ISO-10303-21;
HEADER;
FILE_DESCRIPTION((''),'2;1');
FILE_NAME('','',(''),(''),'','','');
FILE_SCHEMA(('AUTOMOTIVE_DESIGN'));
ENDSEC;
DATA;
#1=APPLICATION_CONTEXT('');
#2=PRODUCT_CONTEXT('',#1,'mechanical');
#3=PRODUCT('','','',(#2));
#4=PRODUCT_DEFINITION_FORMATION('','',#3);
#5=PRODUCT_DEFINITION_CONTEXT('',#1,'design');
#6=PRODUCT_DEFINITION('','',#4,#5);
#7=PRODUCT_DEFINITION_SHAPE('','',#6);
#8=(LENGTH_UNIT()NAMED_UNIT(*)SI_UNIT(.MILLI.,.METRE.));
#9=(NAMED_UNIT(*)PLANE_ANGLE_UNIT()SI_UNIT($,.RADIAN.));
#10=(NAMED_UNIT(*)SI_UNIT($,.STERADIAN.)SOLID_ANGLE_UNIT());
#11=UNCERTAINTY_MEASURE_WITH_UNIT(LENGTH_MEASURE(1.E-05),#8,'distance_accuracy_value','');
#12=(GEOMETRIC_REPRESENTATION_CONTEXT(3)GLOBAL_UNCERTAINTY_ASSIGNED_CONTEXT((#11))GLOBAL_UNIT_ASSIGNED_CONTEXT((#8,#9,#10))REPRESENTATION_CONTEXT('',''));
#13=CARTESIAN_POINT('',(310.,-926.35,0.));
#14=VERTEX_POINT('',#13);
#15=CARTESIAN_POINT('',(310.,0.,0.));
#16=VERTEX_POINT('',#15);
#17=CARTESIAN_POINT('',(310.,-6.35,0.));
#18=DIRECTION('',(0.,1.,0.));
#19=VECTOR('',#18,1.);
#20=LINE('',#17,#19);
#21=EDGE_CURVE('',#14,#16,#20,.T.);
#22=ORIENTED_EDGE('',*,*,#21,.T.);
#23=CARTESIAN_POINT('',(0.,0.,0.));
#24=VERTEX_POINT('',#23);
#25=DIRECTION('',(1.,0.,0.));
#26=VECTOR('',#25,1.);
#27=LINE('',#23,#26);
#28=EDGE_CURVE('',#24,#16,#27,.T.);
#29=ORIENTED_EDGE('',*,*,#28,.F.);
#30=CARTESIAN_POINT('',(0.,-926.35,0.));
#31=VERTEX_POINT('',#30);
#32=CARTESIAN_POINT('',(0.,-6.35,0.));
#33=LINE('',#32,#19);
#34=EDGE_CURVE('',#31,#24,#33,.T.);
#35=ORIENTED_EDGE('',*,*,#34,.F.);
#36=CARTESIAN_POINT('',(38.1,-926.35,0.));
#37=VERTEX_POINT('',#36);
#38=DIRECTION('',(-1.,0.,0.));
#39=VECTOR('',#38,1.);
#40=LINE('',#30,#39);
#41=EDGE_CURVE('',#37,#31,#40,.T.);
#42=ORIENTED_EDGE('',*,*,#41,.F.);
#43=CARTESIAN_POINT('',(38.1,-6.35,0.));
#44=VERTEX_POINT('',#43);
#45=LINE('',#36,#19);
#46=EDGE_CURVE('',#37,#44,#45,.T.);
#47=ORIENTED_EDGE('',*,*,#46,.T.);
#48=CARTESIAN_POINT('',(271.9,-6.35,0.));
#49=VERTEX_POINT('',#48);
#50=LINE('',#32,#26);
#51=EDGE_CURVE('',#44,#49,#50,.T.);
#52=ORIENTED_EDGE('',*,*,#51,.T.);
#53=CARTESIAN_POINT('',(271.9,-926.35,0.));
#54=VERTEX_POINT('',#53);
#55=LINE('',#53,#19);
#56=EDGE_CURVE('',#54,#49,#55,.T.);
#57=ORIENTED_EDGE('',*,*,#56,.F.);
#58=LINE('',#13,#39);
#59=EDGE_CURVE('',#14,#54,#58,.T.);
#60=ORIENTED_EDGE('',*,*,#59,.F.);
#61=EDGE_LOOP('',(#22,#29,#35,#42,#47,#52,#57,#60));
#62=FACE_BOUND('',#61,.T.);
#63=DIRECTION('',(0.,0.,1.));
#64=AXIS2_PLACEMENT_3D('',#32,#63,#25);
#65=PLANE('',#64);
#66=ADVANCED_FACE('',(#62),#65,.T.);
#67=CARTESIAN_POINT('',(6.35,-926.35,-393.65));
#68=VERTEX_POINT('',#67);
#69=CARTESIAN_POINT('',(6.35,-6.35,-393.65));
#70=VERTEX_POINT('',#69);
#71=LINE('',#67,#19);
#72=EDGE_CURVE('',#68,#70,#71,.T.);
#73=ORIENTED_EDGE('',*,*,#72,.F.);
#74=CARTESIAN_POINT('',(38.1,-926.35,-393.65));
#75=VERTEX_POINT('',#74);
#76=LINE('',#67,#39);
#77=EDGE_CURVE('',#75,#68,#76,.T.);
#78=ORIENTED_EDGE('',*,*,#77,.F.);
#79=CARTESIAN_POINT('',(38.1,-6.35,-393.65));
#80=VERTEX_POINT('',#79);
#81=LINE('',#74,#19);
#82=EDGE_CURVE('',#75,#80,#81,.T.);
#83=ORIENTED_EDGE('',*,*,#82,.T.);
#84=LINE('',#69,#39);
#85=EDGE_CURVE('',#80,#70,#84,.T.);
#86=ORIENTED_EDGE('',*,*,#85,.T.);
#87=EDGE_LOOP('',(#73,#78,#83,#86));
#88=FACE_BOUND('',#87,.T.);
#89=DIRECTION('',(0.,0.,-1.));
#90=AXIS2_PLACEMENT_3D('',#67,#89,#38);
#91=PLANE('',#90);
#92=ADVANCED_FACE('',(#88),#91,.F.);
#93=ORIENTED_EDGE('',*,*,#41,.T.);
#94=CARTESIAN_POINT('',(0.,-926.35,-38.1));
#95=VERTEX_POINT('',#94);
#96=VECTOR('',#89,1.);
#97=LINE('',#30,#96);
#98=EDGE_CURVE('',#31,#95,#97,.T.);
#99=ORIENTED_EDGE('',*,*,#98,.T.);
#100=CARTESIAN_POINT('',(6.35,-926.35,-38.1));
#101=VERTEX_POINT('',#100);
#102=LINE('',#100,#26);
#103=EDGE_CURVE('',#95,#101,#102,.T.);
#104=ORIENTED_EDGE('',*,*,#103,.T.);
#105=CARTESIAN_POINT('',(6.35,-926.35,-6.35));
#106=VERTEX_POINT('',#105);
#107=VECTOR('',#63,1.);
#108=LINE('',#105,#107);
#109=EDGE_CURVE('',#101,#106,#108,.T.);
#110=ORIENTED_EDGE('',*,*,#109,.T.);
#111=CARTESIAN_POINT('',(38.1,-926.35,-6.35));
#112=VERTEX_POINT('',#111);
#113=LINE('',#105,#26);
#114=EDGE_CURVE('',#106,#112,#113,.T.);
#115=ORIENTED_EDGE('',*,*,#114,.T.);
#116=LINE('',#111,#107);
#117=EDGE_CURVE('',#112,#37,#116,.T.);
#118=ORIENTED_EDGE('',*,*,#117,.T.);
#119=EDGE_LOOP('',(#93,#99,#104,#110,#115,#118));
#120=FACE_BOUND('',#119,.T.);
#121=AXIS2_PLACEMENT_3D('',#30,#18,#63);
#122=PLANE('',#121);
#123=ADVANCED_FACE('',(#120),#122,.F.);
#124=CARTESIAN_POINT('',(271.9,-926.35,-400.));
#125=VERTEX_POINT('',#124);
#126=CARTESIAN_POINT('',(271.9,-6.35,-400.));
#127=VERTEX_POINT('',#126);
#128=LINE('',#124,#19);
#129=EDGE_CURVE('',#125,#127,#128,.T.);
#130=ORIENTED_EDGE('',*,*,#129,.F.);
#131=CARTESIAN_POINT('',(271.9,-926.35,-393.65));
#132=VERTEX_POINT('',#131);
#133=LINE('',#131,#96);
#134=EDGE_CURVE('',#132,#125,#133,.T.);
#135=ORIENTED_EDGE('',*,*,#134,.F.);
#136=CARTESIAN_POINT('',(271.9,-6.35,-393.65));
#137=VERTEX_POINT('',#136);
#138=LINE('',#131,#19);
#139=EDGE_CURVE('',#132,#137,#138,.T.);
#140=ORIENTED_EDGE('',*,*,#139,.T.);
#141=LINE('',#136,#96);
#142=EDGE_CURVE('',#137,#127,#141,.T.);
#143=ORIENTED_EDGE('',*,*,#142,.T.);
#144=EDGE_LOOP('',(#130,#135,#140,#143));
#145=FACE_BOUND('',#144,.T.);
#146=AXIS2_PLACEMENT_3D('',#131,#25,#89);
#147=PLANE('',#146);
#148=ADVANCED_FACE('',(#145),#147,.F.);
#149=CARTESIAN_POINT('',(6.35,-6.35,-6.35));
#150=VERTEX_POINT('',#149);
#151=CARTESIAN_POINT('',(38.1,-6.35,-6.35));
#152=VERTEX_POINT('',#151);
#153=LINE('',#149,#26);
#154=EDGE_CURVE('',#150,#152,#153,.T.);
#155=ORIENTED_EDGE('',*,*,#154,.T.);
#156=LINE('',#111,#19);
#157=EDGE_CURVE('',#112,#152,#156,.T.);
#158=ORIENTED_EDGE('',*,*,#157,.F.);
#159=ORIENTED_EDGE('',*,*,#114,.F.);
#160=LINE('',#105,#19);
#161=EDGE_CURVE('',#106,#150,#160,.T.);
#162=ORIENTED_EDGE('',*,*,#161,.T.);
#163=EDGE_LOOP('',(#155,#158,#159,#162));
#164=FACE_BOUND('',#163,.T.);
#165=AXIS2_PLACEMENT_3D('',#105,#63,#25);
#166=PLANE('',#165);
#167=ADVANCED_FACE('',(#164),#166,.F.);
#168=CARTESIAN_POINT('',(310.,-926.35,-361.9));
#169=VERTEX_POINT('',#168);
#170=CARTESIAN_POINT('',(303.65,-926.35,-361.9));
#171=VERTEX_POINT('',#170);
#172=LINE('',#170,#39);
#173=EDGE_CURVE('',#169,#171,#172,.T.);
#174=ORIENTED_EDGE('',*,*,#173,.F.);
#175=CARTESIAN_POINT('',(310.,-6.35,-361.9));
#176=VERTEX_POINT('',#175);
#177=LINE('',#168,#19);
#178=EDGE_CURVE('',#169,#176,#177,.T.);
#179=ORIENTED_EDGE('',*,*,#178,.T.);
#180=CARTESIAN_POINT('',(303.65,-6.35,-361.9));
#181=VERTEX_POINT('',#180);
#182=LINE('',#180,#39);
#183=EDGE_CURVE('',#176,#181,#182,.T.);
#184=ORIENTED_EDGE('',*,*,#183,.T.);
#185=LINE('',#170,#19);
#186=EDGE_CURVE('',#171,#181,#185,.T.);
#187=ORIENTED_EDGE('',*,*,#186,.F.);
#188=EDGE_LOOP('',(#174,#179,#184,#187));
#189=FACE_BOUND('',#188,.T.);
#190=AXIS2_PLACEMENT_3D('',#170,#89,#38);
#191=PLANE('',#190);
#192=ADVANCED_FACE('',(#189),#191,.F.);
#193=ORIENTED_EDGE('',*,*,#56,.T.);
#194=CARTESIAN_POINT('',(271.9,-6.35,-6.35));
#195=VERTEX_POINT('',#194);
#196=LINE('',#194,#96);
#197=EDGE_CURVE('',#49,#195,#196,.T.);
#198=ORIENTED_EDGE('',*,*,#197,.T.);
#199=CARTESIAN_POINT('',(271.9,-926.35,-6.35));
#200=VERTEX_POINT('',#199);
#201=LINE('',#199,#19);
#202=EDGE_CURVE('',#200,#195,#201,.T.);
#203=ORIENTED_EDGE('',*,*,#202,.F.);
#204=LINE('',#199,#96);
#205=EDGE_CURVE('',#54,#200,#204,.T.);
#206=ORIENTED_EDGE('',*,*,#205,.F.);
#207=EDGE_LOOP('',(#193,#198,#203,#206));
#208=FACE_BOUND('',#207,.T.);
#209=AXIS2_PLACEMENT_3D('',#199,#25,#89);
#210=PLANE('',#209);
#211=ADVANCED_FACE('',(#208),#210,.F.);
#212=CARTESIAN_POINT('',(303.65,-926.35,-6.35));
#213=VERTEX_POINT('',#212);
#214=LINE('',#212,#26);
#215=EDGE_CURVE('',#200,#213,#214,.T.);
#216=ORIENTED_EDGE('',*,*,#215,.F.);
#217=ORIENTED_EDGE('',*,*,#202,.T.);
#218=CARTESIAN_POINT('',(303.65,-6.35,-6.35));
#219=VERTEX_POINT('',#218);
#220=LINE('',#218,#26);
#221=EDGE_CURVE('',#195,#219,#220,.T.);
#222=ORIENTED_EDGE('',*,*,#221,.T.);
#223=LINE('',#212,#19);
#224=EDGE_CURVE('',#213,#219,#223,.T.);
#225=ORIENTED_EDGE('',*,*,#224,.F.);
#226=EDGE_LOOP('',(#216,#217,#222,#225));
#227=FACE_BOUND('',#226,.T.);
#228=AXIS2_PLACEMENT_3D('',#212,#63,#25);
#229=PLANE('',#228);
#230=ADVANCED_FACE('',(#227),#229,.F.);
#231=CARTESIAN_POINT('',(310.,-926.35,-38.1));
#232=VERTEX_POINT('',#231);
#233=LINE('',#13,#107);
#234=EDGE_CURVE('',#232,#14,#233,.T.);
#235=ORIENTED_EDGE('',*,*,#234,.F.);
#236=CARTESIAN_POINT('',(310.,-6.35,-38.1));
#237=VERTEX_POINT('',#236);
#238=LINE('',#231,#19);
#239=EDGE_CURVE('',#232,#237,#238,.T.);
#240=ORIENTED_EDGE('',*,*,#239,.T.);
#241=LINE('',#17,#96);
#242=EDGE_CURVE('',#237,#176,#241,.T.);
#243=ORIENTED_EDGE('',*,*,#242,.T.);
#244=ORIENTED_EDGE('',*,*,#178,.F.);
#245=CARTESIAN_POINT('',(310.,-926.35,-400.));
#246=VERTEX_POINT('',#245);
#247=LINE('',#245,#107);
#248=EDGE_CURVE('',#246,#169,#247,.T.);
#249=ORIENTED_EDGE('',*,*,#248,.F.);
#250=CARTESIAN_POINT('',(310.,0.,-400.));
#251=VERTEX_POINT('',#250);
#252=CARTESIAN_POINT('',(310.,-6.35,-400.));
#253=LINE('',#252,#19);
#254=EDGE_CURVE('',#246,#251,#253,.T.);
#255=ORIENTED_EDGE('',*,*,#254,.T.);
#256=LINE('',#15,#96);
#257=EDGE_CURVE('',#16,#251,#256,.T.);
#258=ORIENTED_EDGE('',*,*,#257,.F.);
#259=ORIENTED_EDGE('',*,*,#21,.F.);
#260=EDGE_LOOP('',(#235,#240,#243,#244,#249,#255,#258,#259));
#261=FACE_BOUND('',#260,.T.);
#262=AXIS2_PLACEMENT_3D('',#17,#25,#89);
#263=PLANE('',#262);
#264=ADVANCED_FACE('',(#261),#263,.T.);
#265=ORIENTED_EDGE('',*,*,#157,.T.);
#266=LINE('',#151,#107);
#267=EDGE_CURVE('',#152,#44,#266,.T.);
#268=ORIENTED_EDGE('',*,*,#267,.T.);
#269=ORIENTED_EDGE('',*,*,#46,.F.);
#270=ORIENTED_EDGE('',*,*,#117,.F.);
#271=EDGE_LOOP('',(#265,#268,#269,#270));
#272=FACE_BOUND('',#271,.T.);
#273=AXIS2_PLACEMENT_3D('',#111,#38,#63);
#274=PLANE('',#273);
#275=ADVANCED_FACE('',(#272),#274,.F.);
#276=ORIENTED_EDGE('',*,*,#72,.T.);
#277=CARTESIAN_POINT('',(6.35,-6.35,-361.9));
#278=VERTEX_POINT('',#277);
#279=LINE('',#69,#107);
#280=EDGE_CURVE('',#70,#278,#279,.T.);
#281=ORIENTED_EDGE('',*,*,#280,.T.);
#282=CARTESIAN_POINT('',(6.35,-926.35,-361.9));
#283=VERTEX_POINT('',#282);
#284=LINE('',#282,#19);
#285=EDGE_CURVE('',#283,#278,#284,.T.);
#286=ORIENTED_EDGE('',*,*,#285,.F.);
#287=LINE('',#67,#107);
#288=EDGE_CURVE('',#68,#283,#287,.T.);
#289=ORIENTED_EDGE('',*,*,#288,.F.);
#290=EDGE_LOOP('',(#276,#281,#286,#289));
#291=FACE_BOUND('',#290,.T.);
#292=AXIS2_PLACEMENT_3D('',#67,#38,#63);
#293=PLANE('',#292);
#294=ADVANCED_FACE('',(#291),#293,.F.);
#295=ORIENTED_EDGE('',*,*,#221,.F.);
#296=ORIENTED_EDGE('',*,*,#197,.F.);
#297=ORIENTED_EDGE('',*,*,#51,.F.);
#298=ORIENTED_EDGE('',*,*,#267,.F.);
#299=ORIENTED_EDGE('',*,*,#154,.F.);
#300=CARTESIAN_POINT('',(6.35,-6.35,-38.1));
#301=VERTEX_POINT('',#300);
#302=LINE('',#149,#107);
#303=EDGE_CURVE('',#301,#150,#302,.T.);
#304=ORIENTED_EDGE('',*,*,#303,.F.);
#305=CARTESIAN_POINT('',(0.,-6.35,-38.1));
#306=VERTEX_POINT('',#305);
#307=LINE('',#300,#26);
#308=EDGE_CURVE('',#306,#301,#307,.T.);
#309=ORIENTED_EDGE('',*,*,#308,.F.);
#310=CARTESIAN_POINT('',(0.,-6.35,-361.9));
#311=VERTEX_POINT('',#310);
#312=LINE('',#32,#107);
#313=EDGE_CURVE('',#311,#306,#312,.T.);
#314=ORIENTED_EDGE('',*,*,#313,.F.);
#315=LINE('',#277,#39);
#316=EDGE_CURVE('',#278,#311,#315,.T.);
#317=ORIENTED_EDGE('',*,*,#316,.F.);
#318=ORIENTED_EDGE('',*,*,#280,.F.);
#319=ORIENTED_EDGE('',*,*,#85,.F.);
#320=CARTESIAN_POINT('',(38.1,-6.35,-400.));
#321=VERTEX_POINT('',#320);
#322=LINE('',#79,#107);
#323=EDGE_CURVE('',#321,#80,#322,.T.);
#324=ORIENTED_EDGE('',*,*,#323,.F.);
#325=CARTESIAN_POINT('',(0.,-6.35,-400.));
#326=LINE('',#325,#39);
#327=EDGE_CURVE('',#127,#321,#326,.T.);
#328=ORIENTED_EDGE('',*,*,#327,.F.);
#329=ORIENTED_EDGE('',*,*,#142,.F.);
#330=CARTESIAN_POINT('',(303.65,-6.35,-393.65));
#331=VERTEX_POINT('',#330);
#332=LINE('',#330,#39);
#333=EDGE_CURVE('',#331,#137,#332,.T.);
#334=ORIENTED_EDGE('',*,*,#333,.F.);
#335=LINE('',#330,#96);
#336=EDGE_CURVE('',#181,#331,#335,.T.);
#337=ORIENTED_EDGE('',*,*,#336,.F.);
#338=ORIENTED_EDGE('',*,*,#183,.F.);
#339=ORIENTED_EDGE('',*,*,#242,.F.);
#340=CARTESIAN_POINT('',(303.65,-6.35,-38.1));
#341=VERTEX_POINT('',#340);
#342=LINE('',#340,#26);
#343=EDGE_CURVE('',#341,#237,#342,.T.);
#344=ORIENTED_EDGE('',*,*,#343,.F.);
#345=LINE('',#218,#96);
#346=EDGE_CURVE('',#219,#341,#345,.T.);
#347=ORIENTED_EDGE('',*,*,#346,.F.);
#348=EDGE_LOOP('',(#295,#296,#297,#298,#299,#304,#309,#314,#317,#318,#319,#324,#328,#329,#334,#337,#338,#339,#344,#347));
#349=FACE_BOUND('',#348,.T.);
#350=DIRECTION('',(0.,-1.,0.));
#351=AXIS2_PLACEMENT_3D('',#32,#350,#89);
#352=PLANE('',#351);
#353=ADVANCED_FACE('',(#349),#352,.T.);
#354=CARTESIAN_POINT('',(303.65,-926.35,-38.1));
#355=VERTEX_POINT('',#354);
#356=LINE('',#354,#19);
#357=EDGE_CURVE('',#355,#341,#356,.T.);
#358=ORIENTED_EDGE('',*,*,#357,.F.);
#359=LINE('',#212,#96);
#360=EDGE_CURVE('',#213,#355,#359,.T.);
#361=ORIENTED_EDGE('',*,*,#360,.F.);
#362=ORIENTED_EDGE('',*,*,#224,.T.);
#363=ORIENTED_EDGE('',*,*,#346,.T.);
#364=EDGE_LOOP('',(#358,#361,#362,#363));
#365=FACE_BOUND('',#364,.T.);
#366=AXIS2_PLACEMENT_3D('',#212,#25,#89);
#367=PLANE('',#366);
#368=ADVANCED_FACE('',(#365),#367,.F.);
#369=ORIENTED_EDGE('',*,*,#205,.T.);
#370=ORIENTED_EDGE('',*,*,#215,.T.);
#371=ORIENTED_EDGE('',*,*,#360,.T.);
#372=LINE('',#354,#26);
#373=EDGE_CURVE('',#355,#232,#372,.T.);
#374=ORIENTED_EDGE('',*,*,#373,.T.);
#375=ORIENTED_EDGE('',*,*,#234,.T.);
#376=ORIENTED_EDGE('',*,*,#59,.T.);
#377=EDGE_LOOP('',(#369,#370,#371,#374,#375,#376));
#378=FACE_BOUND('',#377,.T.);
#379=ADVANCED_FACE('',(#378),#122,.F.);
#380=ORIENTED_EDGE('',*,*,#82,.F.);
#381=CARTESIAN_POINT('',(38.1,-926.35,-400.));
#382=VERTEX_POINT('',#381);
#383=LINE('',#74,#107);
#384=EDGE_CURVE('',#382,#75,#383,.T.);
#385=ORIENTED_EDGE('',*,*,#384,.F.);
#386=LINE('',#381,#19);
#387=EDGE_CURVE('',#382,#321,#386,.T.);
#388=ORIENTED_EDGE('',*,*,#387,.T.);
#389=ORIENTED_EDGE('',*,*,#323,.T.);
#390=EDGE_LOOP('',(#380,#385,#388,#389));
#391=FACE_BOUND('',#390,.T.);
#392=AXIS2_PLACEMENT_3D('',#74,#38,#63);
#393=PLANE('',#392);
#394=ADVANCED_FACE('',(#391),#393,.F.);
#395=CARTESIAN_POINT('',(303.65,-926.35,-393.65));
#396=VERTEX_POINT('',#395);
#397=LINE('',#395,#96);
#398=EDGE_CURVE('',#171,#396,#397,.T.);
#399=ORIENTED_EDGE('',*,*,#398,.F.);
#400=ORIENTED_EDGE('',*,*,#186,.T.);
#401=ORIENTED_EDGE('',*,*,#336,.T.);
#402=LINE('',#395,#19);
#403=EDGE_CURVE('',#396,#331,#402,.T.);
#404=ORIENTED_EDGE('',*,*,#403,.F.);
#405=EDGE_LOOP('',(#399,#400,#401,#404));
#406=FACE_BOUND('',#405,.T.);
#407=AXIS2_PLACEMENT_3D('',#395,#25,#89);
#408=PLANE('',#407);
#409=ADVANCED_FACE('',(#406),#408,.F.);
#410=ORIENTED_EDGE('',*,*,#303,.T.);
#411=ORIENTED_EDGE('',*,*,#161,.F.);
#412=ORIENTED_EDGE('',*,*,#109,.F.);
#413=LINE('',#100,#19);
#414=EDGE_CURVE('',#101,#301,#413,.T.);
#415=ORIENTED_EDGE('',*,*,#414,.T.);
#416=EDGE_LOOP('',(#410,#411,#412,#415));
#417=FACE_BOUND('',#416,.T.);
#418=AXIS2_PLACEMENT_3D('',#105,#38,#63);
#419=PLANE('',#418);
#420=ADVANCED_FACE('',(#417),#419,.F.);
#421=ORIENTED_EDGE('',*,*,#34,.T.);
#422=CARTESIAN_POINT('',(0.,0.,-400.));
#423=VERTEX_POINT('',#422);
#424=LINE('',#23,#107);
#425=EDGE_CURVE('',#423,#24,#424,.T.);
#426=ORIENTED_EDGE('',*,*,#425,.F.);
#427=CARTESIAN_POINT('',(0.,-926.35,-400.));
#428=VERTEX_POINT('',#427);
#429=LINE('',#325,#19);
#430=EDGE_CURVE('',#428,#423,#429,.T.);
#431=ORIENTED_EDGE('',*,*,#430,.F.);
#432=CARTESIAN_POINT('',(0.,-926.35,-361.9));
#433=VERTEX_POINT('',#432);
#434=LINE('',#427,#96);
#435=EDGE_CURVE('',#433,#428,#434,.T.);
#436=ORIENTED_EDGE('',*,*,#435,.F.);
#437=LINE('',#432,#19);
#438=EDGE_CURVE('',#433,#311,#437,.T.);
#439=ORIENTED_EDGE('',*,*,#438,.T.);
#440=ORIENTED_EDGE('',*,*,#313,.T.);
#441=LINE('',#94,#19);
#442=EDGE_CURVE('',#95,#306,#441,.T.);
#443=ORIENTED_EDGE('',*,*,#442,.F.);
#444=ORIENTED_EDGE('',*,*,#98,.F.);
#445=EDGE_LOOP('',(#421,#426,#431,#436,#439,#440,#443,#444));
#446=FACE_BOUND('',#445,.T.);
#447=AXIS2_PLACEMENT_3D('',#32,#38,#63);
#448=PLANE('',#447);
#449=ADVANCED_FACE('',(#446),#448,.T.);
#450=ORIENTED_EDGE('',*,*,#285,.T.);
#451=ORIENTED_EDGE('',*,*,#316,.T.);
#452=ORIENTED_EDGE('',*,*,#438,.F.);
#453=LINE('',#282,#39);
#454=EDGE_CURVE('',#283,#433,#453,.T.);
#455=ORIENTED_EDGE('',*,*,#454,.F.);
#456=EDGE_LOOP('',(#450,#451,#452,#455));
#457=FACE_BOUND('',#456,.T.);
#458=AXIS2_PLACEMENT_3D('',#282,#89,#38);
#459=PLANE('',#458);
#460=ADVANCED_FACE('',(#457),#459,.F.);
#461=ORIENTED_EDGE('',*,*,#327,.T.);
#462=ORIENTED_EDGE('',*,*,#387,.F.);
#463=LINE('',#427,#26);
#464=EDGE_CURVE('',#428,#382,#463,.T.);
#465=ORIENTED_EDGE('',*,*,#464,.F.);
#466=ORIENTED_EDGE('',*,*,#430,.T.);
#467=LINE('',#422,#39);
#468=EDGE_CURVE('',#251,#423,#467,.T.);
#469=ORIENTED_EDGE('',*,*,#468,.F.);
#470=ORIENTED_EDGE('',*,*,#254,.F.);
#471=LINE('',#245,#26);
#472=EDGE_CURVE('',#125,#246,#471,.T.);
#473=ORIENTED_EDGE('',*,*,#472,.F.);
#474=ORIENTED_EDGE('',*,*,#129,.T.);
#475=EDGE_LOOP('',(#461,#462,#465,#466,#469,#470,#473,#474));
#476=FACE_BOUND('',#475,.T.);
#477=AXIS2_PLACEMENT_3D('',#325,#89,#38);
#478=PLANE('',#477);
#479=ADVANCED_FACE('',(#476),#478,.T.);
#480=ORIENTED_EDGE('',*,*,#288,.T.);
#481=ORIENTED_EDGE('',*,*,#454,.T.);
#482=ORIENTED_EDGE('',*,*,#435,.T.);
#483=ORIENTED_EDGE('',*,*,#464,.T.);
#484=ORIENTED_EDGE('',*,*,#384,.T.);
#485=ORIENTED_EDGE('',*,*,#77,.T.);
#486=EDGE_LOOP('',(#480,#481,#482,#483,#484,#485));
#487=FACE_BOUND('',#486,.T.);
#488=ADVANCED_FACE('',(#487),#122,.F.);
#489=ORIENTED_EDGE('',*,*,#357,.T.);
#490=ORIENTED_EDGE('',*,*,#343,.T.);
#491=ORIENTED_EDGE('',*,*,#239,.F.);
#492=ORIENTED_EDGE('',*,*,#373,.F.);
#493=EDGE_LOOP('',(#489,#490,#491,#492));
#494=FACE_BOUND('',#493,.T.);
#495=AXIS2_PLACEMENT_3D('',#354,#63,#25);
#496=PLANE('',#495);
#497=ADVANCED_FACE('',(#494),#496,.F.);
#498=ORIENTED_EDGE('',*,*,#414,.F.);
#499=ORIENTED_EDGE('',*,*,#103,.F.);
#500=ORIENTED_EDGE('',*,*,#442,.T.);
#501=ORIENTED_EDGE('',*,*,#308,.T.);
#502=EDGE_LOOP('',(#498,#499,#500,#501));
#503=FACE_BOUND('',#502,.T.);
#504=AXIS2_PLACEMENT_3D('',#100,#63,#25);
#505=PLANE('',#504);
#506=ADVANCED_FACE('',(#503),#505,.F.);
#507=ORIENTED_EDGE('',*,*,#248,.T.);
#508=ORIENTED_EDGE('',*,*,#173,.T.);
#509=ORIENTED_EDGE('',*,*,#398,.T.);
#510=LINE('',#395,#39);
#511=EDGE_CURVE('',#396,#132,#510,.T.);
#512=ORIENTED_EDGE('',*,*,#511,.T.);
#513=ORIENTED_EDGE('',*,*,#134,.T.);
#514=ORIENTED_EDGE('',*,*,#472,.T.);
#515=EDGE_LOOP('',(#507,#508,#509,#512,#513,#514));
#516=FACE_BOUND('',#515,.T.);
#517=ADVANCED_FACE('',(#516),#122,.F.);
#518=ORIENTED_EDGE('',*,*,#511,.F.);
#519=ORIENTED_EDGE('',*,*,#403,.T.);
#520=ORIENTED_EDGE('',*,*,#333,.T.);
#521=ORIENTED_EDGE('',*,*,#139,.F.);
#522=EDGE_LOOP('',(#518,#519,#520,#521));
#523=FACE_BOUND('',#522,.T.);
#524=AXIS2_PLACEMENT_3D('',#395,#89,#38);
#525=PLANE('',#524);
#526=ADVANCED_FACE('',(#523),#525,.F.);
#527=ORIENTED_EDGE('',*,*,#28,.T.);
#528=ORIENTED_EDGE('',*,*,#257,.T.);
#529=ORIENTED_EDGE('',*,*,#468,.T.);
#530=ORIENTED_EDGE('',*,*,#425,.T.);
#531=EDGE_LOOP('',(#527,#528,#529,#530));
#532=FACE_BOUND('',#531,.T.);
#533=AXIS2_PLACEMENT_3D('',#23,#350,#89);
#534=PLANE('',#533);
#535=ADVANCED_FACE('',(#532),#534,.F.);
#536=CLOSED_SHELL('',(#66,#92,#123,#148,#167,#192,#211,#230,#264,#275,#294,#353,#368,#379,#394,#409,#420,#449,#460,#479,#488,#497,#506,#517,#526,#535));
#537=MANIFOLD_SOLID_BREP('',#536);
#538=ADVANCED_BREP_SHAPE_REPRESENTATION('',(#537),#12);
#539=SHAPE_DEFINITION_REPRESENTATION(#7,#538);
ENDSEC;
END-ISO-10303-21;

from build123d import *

# Parameters (mm, degrees)
CROQUIS2_W              = 310
CROQUIS2_H              = 400
SALIENTE_EXTRUIR1_DEPTH = 6.35
SALIENTE_EXTRUIR2_DEPTH = 920


with BuildPart() as part:
    # Croquis2 → Saliente-Extruir1 (new body)
    with BuildSketch(Plane(origin=(0, 0, 0), x_dir=(1, 0, 0), z_dir=(0, 1, 0))):
        with Locations((155, 200)):
            Rectangle(CROQUIS2_W, CROQUIS2_H)
    extrude(amount=-SALIENTE_EXTRUIR1_DEPTH)

    # Croquis3 → Saliente-Extruir2 (add)
    with BuildSketch(Plane.XZ.offset(6.35)):
        Polygon((0, 0), (38.1, 0), (38.1, -6.35), (6.35, -6.35), (6.35, -38.1), (0, -38.1), align=None)
        Polygon((303.65, -38.1), (310, -38.1), (310, 0), (271.9, 0), (271.9, -6.35), (303.65, -6.35), align=None)
        Polygon((310, -400), (271.9, -400), (271.9, -393.65), (303.65, -393.65), (303.65, -361.9), (310, -361.9), align=None)
        Polygon((6.35, -361.9), (0, -361.9), (0, -400), (38.1, -400), (38.1, -393.65), (6.35, -393.65), align=None)
    extrude(amount=SALIENTE_EXTRUIR2_DEPTH)


solid = part.part
